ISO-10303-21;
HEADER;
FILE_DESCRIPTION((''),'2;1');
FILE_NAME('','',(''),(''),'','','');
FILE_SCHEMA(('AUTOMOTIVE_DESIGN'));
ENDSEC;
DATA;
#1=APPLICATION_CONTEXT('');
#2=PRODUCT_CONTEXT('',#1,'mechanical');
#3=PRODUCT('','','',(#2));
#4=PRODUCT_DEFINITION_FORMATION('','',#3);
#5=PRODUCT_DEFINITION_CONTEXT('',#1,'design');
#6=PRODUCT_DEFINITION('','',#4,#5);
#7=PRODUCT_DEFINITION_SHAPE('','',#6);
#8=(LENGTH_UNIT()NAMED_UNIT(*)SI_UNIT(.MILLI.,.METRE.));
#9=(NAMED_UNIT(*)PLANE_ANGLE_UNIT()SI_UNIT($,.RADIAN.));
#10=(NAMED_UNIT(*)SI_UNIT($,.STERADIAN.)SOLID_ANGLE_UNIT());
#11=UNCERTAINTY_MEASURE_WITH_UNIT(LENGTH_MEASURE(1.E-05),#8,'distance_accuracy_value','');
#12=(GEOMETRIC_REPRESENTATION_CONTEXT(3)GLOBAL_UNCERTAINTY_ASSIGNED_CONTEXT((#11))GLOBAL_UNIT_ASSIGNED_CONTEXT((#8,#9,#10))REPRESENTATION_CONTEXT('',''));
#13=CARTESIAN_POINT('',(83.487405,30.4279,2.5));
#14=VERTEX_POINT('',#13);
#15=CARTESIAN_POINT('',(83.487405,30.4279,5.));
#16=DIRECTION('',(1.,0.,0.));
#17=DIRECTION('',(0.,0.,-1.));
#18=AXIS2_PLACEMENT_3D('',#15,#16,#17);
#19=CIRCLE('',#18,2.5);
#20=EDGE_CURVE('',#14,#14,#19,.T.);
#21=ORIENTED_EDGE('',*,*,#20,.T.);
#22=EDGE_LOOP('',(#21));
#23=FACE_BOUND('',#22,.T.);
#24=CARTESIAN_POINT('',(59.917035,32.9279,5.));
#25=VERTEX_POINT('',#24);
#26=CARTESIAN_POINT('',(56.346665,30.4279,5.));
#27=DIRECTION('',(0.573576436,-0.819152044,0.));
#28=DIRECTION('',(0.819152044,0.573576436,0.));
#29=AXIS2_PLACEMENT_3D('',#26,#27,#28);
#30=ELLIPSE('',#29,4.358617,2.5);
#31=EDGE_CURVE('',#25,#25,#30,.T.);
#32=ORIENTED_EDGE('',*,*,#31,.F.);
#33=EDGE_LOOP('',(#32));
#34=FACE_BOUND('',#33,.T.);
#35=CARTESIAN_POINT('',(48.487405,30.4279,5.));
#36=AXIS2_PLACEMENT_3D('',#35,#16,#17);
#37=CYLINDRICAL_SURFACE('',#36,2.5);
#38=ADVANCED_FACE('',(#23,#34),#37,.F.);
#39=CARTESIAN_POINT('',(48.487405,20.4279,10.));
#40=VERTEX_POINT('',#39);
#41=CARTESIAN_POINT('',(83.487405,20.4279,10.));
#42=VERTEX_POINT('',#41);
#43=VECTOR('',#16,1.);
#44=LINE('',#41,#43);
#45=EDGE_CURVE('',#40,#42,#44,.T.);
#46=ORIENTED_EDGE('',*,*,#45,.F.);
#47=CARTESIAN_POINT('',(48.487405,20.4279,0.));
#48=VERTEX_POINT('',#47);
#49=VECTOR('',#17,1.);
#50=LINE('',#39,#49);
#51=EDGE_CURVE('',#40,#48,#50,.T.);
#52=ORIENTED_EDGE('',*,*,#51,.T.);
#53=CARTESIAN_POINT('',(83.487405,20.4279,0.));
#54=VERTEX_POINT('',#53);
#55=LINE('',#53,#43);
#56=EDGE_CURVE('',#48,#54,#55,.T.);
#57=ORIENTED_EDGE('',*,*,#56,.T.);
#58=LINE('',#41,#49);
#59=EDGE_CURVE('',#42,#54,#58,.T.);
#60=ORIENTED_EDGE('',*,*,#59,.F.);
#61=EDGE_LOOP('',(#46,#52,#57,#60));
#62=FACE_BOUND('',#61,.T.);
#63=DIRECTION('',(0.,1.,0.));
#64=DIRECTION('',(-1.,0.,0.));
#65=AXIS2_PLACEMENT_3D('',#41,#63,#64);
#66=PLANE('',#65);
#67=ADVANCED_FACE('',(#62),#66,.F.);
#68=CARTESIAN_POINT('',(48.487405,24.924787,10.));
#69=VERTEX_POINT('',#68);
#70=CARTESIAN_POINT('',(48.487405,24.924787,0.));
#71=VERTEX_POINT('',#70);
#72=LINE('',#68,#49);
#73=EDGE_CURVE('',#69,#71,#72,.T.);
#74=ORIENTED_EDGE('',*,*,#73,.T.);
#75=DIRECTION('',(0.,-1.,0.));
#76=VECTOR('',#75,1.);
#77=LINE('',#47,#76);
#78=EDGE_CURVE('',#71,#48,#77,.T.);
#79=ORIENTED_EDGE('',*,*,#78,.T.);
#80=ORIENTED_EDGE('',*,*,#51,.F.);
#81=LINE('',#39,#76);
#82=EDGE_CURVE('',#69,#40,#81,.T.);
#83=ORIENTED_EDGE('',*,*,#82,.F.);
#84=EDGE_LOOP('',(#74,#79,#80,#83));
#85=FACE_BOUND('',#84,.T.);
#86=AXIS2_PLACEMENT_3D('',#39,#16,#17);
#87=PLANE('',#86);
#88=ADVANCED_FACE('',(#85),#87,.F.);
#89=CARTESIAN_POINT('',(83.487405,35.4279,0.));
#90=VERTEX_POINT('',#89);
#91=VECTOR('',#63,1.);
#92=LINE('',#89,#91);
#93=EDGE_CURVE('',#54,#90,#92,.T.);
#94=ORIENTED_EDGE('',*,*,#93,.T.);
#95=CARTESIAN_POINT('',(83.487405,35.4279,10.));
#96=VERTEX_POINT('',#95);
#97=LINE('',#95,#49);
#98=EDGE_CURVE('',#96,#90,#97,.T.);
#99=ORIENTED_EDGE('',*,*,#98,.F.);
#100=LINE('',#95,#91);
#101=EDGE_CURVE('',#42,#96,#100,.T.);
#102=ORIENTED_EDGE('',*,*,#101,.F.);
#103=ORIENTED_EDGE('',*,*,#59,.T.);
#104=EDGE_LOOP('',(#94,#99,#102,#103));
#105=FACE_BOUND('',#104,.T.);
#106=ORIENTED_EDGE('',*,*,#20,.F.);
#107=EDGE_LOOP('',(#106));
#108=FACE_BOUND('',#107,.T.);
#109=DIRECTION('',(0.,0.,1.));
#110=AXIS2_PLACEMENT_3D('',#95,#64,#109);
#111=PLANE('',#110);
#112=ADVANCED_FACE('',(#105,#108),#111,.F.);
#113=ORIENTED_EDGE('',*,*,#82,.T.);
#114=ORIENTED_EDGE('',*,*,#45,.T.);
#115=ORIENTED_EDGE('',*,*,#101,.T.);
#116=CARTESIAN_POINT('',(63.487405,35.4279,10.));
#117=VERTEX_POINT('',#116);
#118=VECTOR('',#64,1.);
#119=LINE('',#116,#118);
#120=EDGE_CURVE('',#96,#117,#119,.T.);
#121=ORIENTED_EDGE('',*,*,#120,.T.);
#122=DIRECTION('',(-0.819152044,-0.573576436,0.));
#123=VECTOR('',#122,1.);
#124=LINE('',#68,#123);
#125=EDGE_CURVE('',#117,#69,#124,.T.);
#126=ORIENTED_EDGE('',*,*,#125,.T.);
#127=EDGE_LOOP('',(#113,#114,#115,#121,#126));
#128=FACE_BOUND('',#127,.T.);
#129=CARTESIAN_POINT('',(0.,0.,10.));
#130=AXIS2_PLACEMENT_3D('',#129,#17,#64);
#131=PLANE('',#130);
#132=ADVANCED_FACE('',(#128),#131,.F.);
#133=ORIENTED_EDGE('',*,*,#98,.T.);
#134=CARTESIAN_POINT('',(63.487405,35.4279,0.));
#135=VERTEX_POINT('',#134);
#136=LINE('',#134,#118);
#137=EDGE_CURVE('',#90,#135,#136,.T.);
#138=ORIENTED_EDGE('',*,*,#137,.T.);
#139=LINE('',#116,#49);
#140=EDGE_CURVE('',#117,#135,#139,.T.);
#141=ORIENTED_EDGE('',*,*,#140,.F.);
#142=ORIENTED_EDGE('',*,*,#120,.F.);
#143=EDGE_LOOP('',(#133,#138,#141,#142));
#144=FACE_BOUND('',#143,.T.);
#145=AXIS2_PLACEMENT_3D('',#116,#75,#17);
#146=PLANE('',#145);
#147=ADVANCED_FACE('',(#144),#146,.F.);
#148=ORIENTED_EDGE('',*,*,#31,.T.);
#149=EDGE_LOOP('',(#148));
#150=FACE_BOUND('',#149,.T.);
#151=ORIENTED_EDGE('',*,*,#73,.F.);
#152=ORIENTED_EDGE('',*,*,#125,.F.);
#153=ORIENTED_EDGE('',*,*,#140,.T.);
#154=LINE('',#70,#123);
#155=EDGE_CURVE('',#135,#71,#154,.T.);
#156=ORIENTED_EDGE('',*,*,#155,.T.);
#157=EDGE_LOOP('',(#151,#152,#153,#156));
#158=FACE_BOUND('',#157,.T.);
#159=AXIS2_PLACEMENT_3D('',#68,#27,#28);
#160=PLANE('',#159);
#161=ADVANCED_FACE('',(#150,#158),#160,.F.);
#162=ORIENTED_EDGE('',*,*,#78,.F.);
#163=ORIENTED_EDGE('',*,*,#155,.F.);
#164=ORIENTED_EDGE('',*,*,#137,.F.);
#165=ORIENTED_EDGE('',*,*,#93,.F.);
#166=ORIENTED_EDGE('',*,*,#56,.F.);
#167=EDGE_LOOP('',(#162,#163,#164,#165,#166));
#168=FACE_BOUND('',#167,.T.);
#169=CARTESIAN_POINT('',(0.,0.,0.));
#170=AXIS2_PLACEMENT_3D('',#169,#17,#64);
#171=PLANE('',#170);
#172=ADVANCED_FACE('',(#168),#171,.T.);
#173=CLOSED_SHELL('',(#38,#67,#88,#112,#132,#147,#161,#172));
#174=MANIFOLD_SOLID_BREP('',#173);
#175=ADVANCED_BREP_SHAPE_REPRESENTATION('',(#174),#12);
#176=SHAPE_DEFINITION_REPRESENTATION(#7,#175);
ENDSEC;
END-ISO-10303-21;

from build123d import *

# Parameters (mm, degrees)
EXTRUDE_1_DEPTH     = 10
SKETCH_2_R          = 2.5
CUT_EXTRUDE_1_DEPTH = 36


with BuildPart() as part:
    # 草图1 → 凸台-拉伸1 (new body)
    with BuildSketch(Plane.XY):
        Polygon((48.487404746, 20.427900409), (48.487404746, 24.924787336), (63.487404746, 35.427900409), (83.487404746, 35.427900409), (83.487404746, 20.427900409), align=None)
    extrude(amount=EXTRUDE_1_DEPTH)

    # 草图2 → 切除-拉伸1 (cut, through all)
    with BuildSketch(Plane(origin=(83.487404746, 0, 0), x_dir=(0, 0, -1), z_dir=(1, 0, 0))):
        with Locations((-5, 30.427900409)):
            Circle(SKETCH_2_R)
    extrude(amount=-CUT_EXTRUDE_1_DEPTH, mode=Mode.SUBTRACT)


solid = part.part
